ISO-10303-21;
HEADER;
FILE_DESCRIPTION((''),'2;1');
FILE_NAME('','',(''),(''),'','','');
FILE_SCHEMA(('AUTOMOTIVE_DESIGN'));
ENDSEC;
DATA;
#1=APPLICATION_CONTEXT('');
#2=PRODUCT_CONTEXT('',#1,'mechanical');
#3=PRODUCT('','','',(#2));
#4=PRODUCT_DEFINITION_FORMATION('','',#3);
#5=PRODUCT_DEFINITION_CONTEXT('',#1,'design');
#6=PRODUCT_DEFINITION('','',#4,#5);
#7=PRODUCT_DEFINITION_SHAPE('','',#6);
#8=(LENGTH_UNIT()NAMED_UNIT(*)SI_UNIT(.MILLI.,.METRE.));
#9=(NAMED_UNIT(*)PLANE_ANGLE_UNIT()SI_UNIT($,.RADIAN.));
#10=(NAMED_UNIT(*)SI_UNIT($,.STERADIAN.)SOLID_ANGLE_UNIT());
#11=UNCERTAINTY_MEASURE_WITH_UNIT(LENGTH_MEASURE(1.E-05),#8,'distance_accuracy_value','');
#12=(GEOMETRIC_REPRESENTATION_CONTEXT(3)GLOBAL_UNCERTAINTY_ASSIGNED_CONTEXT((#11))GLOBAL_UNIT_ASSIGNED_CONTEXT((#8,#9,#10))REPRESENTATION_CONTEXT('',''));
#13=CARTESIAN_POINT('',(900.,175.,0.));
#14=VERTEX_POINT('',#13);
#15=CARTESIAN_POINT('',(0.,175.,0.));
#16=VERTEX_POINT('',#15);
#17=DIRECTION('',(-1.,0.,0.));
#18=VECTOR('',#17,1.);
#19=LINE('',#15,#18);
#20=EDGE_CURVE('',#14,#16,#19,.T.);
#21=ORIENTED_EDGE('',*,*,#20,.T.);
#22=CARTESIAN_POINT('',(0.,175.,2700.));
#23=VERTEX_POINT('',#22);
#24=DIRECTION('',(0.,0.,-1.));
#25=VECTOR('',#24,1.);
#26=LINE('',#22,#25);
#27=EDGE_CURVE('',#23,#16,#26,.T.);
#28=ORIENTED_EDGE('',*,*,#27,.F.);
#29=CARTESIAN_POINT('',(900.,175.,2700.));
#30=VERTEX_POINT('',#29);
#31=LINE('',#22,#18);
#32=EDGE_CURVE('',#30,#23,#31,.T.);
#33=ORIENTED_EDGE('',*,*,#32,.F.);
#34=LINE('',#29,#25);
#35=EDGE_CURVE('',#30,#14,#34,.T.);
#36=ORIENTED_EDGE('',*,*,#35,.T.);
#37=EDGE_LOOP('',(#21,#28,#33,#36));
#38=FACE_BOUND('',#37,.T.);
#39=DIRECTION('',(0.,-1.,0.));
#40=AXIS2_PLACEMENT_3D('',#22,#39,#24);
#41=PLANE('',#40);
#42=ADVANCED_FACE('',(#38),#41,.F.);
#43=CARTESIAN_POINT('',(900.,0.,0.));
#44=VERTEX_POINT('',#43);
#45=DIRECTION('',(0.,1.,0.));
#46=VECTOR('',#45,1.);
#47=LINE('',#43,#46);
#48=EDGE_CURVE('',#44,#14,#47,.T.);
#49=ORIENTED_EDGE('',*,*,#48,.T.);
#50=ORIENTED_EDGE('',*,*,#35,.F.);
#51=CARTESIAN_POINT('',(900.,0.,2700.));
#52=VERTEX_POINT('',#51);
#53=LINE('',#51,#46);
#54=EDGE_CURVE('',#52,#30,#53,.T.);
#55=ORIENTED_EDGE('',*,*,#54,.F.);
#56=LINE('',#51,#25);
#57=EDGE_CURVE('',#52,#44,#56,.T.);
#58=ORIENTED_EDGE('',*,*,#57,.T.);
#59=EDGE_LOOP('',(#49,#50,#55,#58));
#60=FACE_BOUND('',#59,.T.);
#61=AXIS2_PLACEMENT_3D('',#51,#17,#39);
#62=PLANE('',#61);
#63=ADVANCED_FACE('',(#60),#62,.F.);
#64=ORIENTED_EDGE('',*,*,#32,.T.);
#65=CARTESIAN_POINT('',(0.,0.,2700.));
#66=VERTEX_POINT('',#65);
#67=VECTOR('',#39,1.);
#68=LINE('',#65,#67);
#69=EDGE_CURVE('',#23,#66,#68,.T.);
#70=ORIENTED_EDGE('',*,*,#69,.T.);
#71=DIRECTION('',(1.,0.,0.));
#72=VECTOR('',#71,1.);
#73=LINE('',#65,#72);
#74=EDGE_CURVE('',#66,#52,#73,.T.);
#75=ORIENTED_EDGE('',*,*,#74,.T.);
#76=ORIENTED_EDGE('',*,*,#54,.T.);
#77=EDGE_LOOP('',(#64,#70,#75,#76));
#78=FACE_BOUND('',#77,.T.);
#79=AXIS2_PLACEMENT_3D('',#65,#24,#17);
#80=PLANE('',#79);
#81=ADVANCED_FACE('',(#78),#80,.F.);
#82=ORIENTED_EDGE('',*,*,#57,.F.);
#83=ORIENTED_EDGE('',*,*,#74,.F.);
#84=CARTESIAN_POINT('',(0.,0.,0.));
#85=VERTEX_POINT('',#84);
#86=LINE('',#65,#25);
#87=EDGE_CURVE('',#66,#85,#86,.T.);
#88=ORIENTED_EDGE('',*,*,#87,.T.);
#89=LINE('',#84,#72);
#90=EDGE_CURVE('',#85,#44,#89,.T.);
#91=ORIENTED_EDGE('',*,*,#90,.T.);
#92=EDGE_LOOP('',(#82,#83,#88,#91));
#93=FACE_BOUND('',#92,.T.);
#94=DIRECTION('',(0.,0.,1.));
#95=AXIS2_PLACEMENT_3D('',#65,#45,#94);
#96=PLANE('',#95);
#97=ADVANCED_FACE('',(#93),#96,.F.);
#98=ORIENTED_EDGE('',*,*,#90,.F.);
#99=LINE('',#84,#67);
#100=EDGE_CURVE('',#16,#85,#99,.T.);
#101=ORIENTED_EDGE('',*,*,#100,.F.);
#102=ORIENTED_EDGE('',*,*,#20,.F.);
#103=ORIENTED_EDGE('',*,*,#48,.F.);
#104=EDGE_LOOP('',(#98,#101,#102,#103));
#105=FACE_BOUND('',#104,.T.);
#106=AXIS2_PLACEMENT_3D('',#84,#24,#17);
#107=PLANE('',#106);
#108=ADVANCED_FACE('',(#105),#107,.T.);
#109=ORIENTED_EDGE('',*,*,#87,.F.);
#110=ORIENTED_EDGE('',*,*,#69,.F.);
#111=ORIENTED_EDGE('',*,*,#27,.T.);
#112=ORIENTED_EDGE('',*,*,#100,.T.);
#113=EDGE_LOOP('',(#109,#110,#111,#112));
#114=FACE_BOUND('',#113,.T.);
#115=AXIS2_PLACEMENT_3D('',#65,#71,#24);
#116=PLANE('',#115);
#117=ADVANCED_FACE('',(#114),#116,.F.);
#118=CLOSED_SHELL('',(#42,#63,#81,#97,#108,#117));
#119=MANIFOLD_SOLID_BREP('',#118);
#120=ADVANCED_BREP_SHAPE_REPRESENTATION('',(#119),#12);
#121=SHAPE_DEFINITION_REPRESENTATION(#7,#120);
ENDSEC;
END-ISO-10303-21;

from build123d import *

# Parameters (mm, degrees)
ESBO_O1_W                = 900
ESBO_O1_H                = 175
RESSALTO_EXTRUS_O1_DEPTH = 2700


with BuildPart() as part:
    # Esboço1 → Ressalto-extrusão1 (new body)
    with BuildSketch(Plane.XY):
        with Locations((450, 87.5)):
            Rectangle(ESBO_O1_W, ESBO_O1_H)
    extrude(amount=RESSALTO_EXTRUS_O1_DEPTH)


solid = part.part
